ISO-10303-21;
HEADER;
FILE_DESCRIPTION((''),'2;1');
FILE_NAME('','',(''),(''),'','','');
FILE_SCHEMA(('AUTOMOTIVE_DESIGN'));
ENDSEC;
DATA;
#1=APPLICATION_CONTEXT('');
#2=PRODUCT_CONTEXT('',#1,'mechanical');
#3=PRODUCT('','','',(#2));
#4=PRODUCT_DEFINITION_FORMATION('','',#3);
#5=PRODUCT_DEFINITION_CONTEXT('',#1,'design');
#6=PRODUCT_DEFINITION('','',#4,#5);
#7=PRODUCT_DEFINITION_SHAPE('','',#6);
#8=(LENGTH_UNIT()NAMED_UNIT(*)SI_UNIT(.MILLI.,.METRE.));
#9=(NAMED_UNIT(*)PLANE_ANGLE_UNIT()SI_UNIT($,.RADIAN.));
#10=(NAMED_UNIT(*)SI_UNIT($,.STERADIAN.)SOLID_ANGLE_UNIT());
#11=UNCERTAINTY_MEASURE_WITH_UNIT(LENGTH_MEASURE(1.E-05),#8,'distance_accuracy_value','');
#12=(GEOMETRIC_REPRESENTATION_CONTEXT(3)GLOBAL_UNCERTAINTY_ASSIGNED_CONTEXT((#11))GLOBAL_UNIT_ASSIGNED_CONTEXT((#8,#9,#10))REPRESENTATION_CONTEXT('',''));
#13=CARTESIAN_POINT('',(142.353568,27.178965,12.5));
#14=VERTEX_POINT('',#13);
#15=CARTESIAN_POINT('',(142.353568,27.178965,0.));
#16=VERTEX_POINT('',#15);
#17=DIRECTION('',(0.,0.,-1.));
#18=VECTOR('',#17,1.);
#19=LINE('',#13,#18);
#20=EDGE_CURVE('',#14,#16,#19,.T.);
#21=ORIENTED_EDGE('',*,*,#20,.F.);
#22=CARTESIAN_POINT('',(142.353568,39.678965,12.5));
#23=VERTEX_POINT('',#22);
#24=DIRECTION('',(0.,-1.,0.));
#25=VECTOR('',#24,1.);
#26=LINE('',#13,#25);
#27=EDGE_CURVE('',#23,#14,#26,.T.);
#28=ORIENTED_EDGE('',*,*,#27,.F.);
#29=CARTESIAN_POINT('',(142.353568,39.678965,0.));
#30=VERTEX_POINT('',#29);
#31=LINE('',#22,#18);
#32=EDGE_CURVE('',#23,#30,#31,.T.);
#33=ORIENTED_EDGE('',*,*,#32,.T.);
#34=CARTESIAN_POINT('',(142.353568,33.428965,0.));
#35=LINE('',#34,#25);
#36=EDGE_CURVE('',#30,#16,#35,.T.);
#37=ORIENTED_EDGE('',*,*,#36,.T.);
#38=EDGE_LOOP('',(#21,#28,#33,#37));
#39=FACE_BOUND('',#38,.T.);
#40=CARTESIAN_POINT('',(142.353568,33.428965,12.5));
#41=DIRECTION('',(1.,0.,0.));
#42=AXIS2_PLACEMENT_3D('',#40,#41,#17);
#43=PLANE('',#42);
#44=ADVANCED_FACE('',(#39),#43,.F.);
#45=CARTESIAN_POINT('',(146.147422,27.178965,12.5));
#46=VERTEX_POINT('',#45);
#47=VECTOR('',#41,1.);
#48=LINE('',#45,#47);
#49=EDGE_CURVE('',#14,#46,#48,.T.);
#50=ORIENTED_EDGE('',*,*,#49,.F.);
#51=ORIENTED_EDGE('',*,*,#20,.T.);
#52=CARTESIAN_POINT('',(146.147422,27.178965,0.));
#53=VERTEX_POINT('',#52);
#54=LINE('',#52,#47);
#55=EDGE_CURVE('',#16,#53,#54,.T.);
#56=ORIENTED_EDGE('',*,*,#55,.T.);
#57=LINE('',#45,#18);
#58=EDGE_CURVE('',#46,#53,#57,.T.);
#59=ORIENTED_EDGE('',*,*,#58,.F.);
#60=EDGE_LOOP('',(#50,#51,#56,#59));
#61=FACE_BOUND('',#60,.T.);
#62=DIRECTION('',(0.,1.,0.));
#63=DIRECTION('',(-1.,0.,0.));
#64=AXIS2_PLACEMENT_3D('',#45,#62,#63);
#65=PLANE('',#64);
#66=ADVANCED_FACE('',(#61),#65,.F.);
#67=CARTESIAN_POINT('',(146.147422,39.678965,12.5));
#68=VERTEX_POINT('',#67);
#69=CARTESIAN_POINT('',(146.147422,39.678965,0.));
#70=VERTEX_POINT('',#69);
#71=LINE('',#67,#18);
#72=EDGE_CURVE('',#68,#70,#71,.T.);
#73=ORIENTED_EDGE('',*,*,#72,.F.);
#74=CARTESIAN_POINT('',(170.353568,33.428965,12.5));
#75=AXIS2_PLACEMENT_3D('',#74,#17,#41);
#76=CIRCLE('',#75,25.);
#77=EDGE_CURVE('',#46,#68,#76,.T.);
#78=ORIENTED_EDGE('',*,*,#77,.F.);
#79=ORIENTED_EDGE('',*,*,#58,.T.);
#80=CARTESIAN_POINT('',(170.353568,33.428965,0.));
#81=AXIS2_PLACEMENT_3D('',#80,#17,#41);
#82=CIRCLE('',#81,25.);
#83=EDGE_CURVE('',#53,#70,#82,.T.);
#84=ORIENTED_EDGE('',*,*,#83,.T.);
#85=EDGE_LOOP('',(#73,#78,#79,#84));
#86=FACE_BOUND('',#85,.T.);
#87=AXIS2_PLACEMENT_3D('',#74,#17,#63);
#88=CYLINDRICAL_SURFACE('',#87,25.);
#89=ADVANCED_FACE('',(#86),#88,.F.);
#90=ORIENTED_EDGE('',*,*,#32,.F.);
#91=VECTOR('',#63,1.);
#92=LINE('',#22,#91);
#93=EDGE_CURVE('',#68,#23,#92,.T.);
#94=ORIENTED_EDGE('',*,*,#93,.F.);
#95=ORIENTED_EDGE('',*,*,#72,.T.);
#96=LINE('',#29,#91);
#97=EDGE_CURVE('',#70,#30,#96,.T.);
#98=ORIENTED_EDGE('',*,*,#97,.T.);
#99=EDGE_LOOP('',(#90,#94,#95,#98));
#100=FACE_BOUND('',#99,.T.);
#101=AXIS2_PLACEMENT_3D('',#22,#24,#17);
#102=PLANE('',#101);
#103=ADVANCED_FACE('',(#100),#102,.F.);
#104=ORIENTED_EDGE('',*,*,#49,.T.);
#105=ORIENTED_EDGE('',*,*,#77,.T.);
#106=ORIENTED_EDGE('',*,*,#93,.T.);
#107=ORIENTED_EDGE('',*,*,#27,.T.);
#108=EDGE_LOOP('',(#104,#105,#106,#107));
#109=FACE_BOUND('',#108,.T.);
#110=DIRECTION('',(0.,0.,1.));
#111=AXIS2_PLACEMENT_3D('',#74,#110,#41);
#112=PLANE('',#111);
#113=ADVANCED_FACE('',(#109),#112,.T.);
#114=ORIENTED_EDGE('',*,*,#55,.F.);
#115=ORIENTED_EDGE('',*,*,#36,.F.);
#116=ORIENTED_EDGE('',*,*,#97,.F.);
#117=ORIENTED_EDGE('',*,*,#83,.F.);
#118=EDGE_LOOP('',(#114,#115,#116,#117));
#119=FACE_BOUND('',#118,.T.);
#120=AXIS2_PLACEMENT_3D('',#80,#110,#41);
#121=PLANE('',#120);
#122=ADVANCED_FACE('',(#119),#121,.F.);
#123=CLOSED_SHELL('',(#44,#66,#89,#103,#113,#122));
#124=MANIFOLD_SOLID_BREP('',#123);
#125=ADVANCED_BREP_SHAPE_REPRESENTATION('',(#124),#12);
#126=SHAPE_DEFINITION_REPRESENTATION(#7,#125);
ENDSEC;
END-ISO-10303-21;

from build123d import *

# Parameters (mm, degrees)
EXTRUDE_1_DEPTH = 12.5


with BuildPart() as part:
    # 草图1 → 凸台-拉伸1 (new body)
    with BuildSketch(Plane.XY):
        with BuildLine():
            Line((142.353567816, 33.428964634), (142.353567816, 39.678964634))
            Line((142.353567816, 39.678964634), (146.147421902, 39.678964634))
            ThreePointArc((146.147421902, 39.678964634), (145.353567816, 33.428964634), (146.147421902, 27.178964634))
            Line((146.147421902, 27.178964634), (142.353567816, 27.178964634))
            Line((142.353567816, 27.178964634), (142.353567816, 33.428964634))
        make_face()
    extrude(amount=EXTRUDE_1_DEPTH)


solid = part.part
